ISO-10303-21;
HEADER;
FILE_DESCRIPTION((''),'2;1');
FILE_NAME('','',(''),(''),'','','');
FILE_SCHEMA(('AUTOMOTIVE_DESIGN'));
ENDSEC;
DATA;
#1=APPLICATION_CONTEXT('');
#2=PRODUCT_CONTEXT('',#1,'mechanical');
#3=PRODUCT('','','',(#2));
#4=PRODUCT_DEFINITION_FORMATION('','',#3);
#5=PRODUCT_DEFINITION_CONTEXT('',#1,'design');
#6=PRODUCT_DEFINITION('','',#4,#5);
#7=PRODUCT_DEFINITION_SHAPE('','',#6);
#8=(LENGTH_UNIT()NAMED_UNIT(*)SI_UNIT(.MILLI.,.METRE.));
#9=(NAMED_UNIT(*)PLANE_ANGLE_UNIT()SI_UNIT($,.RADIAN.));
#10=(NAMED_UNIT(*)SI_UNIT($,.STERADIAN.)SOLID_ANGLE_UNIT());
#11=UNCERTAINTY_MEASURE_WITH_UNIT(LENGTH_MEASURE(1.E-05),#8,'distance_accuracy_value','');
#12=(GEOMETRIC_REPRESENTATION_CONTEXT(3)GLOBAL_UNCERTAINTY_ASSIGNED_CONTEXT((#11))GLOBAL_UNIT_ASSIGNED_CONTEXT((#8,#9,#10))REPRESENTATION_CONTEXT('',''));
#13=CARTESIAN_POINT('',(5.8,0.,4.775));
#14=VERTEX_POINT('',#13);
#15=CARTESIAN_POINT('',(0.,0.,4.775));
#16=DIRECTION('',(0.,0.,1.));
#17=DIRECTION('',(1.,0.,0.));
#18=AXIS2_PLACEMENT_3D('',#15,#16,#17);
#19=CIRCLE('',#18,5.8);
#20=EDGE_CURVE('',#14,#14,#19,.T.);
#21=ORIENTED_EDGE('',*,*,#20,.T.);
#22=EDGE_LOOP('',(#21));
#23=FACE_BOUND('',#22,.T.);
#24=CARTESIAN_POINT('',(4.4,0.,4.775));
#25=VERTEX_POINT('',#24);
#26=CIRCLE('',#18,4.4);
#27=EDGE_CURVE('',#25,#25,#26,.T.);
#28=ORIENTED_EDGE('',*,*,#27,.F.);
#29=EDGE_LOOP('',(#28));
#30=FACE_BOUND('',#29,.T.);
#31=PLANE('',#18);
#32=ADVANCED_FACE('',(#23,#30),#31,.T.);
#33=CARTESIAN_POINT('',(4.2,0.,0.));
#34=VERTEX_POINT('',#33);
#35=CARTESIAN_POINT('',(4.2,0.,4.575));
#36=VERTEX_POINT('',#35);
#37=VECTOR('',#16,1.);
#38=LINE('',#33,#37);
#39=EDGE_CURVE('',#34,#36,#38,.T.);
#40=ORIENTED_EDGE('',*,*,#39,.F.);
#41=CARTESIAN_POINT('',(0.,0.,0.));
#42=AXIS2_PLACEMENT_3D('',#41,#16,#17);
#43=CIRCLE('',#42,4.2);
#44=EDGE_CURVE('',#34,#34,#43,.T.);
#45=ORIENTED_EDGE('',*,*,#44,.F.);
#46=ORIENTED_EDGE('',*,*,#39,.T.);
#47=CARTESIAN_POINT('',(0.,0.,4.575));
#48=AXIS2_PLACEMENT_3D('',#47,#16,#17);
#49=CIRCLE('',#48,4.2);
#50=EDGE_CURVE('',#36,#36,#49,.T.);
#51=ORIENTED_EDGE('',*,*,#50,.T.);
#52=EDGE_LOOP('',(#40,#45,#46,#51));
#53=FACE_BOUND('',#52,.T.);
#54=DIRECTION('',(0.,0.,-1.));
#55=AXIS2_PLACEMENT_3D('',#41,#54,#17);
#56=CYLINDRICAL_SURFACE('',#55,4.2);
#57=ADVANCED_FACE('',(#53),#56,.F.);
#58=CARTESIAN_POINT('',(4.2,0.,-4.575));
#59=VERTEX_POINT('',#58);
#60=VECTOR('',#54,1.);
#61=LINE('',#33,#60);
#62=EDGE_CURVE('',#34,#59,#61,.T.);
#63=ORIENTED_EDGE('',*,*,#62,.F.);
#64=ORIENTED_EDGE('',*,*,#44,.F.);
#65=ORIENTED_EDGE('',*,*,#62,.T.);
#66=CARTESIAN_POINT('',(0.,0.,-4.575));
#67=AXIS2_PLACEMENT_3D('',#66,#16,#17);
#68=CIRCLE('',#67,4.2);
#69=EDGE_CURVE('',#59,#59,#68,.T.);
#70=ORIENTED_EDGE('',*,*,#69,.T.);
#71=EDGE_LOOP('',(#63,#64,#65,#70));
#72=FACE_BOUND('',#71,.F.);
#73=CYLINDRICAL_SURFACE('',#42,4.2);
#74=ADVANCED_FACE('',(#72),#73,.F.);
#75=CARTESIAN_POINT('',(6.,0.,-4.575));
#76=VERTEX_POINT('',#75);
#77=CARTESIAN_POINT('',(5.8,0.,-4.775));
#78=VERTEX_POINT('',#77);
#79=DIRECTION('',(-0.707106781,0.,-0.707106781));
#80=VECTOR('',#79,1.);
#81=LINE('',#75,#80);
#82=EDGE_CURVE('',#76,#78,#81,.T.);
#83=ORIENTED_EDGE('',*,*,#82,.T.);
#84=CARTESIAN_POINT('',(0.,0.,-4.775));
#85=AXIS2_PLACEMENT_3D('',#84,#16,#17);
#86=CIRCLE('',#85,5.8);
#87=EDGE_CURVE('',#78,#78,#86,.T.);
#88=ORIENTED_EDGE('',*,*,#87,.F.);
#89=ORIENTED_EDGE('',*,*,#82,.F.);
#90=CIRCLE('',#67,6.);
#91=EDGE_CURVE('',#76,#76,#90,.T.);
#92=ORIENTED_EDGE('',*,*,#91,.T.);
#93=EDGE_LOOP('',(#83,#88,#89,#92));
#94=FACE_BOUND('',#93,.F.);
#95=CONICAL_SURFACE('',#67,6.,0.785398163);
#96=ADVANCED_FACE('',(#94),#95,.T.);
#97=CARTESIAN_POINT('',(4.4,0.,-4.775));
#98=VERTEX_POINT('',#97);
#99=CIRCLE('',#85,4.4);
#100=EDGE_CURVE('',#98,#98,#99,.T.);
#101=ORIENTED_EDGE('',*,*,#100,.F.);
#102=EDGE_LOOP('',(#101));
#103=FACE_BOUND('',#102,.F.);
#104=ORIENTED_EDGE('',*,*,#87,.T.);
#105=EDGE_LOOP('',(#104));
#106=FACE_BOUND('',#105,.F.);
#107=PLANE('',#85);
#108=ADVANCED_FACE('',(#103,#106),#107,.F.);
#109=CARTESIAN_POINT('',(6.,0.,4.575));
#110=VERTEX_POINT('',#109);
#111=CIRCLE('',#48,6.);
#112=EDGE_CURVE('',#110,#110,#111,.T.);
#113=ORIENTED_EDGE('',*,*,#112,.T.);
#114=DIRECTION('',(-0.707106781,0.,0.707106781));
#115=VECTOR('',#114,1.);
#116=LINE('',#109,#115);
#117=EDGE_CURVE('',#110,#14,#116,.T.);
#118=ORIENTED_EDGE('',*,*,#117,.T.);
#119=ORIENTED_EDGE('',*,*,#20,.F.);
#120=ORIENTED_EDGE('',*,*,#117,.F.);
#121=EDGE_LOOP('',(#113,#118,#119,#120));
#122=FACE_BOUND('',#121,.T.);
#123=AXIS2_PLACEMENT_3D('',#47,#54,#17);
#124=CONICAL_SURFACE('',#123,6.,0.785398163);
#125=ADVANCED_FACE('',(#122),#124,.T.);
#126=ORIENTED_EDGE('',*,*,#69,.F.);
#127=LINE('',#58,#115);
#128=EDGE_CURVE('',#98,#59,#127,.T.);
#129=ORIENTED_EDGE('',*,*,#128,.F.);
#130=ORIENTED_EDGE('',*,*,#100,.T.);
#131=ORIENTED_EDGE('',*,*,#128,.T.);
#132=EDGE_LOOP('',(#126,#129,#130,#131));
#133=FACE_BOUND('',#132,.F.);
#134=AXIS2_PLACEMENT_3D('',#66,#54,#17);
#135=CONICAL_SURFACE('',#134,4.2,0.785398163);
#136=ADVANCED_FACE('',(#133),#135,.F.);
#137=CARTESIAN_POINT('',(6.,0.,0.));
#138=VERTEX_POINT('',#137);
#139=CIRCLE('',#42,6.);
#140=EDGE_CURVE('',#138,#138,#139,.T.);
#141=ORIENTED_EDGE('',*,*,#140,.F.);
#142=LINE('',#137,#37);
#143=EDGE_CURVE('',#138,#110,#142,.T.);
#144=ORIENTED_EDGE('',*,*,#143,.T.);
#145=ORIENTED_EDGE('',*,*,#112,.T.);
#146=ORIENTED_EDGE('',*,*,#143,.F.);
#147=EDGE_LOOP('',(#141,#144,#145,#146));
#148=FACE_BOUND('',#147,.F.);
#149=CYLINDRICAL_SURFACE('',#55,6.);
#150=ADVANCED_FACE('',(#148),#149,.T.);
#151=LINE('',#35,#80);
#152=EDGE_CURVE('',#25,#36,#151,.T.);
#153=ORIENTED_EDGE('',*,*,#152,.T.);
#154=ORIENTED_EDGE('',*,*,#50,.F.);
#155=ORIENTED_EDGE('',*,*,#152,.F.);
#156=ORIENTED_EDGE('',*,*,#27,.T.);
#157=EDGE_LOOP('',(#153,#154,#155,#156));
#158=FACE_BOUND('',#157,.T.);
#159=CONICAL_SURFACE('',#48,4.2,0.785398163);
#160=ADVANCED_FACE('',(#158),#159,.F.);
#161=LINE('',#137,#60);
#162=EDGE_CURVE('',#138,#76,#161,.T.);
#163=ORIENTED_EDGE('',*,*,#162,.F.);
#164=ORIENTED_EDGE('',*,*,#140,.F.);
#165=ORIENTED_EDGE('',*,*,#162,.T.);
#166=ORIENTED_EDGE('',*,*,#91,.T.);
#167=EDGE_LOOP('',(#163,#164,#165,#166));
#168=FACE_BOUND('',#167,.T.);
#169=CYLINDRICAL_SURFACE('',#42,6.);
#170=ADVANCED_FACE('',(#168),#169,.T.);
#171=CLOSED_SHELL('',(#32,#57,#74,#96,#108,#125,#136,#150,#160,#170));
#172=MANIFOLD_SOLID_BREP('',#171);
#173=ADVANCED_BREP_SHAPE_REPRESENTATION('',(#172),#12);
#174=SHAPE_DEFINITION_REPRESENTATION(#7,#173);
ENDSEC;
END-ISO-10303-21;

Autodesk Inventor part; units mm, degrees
ref_plane "YZ Plane" through (0, 0, 0) normal (1, 0, 0) x (0, 1, 0)
ref_plane "XZ Plane" through (0, 0, 0) normal (0, 1, 0) x (-1, 0, 0)
ref_plane "XY Plane" through (0, 0, 0) normal (0, 0, 1) x (1, 0, 0)
sketch "スケッチ1" plane through (0, 0, 0) normal (0, 0, 1) x (1, 0, 0)
  circle A0 centre (0, 0) radius 4.2
  circle A1 centre (0, 0) radius 6
  dimension "d0" = 8.4
  dimension "d1" = 12
extrude "押し出し1" add sketch "スケッチ1" along normal mid plane 9.55
chamfer "面取り1" distance 0.2 angle 45 4 edges at (-6, 0, 4.775) (-4.2, 0, 4.775) (-6, 0, -4.775) (-4.2, 0, -4.775)
properties part number "spacer10" material "ABS プラスチック"
